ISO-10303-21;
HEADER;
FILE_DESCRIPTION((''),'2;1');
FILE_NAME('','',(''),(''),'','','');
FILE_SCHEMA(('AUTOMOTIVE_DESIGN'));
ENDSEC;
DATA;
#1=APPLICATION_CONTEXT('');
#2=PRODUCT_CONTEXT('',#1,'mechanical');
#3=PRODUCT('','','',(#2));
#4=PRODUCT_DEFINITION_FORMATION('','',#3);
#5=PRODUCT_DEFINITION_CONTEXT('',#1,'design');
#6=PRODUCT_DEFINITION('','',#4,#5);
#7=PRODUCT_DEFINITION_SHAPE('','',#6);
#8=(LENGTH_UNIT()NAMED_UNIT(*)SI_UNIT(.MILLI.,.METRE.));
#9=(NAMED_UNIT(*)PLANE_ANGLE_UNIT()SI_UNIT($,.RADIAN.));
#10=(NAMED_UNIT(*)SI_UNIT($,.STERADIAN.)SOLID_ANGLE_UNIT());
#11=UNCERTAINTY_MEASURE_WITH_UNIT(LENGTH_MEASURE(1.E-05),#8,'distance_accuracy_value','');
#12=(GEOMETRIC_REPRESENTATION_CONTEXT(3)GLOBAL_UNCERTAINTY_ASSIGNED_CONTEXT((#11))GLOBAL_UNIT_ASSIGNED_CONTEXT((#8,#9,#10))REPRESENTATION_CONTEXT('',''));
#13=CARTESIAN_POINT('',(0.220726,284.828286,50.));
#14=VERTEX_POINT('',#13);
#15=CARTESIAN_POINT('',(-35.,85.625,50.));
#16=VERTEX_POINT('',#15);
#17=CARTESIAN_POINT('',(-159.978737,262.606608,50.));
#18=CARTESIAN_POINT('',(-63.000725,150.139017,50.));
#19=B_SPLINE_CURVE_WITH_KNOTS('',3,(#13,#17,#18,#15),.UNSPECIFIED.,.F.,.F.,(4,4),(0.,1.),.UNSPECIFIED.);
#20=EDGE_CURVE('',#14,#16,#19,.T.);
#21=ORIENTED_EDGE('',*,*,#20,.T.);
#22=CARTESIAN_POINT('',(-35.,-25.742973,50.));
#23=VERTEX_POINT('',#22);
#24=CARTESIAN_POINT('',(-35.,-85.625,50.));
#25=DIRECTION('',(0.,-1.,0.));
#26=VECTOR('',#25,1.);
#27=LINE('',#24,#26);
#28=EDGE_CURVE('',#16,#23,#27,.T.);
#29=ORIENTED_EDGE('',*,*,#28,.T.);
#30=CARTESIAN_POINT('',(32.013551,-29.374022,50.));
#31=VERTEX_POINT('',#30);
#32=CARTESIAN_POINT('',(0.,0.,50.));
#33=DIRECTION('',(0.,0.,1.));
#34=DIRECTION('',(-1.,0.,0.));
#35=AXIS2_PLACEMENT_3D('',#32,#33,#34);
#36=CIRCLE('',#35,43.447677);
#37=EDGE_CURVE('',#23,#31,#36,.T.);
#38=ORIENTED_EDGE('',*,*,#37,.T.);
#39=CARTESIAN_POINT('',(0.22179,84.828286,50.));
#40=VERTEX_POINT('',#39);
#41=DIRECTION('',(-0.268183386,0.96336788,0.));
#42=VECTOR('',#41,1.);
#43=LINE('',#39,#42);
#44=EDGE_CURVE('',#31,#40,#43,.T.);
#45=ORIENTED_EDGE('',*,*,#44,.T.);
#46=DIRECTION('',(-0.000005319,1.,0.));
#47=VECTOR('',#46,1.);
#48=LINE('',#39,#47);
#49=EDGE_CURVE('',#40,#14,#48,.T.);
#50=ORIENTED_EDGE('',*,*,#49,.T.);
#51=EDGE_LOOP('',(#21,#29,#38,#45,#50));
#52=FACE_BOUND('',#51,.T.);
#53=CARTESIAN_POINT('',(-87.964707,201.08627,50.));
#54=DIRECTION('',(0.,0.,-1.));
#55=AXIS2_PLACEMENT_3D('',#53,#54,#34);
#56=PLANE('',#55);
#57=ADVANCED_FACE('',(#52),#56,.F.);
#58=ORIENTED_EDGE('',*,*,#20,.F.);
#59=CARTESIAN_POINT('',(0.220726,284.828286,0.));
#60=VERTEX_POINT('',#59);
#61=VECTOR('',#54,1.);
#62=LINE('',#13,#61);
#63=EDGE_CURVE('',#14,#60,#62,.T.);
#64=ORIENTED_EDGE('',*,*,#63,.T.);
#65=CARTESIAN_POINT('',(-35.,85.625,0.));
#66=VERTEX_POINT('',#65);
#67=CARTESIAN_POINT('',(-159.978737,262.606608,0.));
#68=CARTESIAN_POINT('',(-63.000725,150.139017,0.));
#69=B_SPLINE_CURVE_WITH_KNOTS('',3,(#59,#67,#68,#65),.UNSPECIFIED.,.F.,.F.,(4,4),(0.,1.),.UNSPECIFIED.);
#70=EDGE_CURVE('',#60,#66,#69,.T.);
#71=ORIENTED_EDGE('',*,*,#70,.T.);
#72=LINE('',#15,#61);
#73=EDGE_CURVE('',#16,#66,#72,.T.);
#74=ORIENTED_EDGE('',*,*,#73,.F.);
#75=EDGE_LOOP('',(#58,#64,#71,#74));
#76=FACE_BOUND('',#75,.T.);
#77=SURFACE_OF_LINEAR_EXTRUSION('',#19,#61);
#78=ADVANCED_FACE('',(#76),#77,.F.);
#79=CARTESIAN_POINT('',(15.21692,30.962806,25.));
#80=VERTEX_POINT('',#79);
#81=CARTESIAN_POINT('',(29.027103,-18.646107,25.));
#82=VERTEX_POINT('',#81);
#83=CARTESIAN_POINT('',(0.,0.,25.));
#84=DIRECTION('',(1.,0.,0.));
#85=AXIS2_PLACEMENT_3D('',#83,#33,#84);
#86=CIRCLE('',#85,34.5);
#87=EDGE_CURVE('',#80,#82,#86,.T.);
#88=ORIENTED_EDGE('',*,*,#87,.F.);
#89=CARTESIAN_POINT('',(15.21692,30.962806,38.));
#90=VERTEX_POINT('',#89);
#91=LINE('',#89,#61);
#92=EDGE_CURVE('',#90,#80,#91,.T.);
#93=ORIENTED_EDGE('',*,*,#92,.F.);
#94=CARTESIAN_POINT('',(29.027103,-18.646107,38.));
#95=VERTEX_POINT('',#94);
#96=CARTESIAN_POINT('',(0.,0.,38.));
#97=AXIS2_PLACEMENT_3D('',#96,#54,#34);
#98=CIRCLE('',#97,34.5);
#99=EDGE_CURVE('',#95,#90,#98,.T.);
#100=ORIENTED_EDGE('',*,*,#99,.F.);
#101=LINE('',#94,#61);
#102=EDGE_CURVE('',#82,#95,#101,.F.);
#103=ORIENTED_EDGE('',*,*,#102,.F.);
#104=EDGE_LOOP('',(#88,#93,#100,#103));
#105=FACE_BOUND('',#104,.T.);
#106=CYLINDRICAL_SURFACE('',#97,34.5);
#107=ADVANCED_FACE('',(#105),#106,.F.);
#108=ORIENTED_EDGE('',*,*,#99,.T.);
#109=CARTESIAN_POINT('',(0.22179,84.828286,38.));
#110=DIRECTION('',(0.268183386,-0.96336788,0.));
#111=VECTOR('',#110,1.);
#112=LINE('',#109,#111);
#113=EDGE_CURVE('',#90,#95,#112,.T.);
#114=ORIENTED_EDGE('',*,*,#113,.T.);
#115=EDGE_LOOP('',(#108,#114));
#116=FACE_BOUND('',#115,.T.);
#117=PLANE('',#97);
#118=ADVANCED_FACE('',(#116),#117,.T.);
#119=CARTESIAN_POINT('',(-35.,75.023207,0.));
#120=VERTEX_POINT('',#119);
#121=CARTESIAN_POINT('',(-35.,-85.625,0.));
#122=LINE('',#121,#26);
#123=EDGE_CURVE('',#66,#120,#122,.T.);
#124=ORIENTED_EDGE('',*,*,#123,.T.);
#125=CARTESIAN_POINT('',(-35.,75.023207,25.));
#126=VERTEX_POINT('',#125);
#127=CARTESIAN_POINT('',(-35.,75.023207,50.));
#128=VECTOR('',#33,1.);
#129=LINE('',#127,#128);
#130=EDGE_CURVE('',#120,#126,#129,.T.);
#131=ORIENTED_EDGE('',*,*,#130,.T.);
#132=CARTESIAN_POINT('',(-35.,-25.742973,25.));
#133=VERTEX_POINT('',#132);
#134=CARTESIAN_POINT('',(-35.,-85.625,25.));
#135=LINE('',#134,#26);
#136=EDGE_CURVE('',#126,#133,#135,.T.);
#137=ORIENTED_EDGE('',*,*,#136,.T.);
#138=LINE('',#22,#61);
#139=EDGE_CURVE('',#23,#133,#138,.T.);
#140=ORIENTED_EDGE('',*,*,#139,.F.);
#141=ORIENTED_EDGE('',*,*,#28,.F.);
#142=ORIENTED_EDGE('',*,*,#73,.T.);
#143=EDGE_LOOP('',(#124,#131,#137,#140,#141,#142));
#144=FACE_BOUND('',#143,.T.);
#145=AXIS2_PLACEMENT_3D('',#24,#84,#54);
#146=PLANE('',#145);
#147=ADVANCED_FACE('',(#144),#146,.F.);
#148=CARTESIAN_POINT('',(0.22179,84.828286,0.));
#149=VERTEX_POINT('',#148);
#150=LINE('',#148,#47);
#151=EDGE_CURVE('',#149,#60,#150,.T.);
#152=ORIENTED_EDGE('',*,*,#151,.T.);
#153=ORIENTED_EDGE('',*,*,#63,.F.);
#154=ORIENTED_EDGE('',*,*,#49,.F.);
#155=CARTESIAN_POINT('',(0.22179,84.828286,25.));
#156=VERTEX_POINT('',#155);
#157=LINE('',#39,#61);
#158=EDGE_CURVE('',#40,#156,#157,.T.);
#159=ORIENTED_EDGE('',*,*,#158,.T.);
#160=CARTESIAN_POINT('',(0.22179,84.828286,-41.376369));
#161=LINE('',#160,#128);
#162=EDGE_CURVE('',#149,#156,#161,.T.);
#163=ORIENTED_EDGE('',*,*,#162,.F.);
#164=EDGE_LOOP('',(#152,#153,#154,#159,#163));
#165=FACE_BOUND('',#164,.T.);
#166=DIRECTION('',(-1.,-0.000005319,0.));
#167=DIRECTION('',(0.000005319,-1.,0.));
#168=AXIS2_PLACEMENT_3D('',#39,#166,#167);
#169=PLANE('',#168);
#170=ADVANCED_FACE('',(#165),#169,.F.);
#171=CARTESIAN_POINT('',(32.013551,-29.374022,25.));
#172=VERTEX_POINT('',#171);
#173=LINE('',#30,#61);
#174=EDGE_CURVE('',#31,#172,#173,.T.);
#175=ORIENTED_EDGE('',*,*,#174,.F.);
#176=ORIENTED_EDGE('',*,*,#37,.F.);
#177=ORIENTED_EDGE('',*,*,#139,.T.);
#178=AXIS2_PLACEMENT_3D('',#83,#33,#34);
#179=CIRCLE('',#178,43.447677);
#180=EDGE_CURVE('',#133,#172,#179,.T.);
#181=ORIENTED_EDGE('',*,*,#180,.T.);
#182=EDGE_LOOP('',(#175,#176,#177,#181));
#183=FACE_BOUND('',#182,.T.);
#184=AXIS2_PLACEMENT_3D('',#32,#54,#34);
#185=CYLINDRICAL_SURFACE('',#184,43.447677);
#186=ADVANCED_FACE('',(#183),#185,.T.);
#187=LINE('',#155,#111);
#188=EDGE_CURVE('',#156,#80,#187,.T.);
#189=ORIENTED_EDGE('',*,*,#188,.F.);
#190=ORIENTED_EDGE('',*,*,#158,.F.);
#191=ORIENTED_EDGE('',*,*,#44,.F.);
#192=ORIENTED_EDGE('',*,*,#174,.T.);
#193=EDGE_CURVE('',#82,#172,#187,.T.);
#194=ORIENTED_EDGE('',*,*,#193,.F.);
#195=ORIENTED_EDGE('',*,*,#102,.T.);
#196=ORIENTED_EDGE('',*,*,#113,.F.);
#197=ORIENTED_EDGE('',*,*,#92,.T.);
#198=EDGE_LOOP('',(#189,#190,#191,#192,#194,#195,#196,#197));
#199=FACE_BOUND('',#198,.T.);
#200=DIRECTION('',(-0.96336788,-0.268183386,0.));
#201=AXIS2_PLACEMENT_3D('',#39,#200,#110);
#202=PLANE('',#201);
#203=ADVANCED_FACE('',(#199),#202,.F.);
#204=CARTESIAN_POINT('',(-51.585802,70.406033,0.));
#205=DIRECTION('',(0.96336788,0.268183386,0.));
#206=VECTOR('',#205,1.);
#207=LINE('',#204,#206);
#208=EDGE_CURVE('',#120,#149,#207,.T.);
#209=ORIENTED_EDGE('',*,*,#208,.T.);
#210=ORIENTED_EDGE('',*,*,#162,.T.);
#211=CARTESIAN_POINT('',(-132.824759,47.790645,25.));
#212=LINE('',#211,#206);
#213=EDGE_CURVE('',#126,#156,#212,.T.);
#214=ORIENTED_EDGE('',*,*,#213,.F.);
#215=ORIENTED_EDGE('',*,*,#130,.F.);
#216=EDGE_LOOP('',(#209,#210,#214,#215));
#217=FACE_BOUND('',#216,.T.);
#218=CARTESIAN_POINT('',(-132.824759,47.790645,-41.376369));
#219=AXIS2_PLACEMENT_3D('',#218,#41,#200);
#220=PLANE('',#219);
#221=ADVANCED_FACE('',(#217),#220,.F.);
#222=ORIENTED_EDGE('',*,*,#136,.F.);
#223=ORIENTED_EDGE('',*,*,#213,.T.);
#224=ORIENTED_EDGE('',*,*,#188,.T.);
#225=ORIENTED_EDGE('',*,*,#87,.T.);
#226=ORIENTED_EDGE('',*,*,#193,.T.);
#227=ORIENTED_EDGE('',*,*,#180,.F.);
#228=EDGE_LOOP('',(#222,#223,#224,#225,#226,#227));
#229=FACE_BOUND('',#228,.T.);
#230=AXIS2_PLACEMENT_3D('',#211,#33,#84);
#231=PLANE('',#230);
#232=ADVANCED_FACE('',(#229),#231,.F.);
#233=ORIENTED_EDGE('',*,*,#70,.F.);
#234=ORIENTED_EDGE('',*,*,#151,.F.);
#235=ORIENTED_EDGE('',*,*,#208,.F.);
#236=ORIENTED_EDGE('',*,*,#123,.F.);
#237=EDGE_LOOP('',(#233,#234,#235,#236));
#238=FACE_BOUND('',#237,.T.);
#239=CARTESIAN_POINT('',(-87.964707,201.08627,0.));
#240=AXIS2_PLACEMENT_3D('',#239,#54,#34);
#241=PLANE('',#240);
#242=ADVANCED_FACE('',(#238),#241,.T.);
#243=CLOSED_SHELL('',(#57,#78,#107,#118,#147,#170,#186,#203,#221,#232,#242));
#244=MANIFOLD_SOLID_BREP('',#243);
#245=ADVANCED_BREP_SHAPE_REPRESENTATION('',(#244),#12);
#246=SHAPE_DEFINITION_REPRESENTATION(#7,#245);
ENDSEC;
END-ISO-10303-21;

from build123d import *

# Parameters (mm, degrees)
BOSS_EXTRUDE1_DEPTH = 50
SKETCH3_W           = 66.376369139
SKETCH3_H           = 188.96079622
CUT_EXTRUDE1_DEPTH  = 305.408240944
SKETCH4_R           = 34.5
CUT_EXTRUDE2_DEPTH  = 13
CUT_EXTRUDE3_DEPTH  = 300.667940806


with BuildPart() as part:
    # Sketch1 → Boss-Extrude1 (new body)
    with BuildSketch(Plane.XY):
        with BuildLine():
            Line((0.221790001, 84.828286355), (0.2207262, 284.828286352))
            add(Edge.make_bspline(
                [(0.2207262, 284.828286352), (-159.978737061, 262.606607754), (-63.000724603, 150.139017081), (-35, 85.625)],
                knots=[0, 0, 0, 0, 1, 1, 1, 1], degree=3))
            Line((-35, 85.625), (-35, -85.625))
            Line((-35, -85.625), (35, -85.625))
            Line((35, -85.625), (35, -40.1019375))
            Line((35, -40.1019375), (0.221790001, 84.828286355))
        make_face()
    extrude(amount=BOSS_EXTRUDE1_DEPTH)

    # Sketch3 → Cut-Extrude1 (cut, through all)
    with BuildSketch(Plane(origin=(22.122011617, 6.158349372, 0), x_dir=(0, 0, -1), z_dir=(0.9633678796634119, 0.2681833858254875, 0))):
        with Locations((8.18818457, -12.819032142)):
            Rectangle(SKETCH3_W, SKETCH3_H)
    extrude(amount=-CUT_EXTRUDE1_DEPTH, mode=Mode.SUBTRACT)

    # Sketch4 → Cut-Extrude2 (cut)
    with BuildSketch(Plane(origin=(0, 0, 25), x_dir=(-1, 0, 0), z_dir=(0, 0, -1))):
        Circle(SKETCH4_R)
    extrude(amount=-CUT_EXTRUDE2_DEPTH, mode=Mode.SUBTRACT)

    # Sketch5 → Cut-Extrude3 (cut, through all)
    with BuildSketch(Plane(origin=(0, 0, 25), x_dir=(-1, 0, 0), z_dir=(0, 0, -1))):
        with BuildLine():
            Line((35, -40.1019375), (35, -85.625))
            Line((35, -85.625), (-35, -85.625))
            Line((-35, -85.625), (-35, -40.1019375))
            Line((-35, -40.1019375), (-32.013551407, -29.374022196))
            ThreePointArc((-32.013551407, -29.374022196), (2.35071235, -43.384038598), (35, -25.742972899))
            Line((35, -25.742972899), (35, -40.1019375))
        make_face()
    extrude(amount=-CUT_EXTRUDE3_DEPTH, mode=Mode.SUBTRACT)


solid = part.part
